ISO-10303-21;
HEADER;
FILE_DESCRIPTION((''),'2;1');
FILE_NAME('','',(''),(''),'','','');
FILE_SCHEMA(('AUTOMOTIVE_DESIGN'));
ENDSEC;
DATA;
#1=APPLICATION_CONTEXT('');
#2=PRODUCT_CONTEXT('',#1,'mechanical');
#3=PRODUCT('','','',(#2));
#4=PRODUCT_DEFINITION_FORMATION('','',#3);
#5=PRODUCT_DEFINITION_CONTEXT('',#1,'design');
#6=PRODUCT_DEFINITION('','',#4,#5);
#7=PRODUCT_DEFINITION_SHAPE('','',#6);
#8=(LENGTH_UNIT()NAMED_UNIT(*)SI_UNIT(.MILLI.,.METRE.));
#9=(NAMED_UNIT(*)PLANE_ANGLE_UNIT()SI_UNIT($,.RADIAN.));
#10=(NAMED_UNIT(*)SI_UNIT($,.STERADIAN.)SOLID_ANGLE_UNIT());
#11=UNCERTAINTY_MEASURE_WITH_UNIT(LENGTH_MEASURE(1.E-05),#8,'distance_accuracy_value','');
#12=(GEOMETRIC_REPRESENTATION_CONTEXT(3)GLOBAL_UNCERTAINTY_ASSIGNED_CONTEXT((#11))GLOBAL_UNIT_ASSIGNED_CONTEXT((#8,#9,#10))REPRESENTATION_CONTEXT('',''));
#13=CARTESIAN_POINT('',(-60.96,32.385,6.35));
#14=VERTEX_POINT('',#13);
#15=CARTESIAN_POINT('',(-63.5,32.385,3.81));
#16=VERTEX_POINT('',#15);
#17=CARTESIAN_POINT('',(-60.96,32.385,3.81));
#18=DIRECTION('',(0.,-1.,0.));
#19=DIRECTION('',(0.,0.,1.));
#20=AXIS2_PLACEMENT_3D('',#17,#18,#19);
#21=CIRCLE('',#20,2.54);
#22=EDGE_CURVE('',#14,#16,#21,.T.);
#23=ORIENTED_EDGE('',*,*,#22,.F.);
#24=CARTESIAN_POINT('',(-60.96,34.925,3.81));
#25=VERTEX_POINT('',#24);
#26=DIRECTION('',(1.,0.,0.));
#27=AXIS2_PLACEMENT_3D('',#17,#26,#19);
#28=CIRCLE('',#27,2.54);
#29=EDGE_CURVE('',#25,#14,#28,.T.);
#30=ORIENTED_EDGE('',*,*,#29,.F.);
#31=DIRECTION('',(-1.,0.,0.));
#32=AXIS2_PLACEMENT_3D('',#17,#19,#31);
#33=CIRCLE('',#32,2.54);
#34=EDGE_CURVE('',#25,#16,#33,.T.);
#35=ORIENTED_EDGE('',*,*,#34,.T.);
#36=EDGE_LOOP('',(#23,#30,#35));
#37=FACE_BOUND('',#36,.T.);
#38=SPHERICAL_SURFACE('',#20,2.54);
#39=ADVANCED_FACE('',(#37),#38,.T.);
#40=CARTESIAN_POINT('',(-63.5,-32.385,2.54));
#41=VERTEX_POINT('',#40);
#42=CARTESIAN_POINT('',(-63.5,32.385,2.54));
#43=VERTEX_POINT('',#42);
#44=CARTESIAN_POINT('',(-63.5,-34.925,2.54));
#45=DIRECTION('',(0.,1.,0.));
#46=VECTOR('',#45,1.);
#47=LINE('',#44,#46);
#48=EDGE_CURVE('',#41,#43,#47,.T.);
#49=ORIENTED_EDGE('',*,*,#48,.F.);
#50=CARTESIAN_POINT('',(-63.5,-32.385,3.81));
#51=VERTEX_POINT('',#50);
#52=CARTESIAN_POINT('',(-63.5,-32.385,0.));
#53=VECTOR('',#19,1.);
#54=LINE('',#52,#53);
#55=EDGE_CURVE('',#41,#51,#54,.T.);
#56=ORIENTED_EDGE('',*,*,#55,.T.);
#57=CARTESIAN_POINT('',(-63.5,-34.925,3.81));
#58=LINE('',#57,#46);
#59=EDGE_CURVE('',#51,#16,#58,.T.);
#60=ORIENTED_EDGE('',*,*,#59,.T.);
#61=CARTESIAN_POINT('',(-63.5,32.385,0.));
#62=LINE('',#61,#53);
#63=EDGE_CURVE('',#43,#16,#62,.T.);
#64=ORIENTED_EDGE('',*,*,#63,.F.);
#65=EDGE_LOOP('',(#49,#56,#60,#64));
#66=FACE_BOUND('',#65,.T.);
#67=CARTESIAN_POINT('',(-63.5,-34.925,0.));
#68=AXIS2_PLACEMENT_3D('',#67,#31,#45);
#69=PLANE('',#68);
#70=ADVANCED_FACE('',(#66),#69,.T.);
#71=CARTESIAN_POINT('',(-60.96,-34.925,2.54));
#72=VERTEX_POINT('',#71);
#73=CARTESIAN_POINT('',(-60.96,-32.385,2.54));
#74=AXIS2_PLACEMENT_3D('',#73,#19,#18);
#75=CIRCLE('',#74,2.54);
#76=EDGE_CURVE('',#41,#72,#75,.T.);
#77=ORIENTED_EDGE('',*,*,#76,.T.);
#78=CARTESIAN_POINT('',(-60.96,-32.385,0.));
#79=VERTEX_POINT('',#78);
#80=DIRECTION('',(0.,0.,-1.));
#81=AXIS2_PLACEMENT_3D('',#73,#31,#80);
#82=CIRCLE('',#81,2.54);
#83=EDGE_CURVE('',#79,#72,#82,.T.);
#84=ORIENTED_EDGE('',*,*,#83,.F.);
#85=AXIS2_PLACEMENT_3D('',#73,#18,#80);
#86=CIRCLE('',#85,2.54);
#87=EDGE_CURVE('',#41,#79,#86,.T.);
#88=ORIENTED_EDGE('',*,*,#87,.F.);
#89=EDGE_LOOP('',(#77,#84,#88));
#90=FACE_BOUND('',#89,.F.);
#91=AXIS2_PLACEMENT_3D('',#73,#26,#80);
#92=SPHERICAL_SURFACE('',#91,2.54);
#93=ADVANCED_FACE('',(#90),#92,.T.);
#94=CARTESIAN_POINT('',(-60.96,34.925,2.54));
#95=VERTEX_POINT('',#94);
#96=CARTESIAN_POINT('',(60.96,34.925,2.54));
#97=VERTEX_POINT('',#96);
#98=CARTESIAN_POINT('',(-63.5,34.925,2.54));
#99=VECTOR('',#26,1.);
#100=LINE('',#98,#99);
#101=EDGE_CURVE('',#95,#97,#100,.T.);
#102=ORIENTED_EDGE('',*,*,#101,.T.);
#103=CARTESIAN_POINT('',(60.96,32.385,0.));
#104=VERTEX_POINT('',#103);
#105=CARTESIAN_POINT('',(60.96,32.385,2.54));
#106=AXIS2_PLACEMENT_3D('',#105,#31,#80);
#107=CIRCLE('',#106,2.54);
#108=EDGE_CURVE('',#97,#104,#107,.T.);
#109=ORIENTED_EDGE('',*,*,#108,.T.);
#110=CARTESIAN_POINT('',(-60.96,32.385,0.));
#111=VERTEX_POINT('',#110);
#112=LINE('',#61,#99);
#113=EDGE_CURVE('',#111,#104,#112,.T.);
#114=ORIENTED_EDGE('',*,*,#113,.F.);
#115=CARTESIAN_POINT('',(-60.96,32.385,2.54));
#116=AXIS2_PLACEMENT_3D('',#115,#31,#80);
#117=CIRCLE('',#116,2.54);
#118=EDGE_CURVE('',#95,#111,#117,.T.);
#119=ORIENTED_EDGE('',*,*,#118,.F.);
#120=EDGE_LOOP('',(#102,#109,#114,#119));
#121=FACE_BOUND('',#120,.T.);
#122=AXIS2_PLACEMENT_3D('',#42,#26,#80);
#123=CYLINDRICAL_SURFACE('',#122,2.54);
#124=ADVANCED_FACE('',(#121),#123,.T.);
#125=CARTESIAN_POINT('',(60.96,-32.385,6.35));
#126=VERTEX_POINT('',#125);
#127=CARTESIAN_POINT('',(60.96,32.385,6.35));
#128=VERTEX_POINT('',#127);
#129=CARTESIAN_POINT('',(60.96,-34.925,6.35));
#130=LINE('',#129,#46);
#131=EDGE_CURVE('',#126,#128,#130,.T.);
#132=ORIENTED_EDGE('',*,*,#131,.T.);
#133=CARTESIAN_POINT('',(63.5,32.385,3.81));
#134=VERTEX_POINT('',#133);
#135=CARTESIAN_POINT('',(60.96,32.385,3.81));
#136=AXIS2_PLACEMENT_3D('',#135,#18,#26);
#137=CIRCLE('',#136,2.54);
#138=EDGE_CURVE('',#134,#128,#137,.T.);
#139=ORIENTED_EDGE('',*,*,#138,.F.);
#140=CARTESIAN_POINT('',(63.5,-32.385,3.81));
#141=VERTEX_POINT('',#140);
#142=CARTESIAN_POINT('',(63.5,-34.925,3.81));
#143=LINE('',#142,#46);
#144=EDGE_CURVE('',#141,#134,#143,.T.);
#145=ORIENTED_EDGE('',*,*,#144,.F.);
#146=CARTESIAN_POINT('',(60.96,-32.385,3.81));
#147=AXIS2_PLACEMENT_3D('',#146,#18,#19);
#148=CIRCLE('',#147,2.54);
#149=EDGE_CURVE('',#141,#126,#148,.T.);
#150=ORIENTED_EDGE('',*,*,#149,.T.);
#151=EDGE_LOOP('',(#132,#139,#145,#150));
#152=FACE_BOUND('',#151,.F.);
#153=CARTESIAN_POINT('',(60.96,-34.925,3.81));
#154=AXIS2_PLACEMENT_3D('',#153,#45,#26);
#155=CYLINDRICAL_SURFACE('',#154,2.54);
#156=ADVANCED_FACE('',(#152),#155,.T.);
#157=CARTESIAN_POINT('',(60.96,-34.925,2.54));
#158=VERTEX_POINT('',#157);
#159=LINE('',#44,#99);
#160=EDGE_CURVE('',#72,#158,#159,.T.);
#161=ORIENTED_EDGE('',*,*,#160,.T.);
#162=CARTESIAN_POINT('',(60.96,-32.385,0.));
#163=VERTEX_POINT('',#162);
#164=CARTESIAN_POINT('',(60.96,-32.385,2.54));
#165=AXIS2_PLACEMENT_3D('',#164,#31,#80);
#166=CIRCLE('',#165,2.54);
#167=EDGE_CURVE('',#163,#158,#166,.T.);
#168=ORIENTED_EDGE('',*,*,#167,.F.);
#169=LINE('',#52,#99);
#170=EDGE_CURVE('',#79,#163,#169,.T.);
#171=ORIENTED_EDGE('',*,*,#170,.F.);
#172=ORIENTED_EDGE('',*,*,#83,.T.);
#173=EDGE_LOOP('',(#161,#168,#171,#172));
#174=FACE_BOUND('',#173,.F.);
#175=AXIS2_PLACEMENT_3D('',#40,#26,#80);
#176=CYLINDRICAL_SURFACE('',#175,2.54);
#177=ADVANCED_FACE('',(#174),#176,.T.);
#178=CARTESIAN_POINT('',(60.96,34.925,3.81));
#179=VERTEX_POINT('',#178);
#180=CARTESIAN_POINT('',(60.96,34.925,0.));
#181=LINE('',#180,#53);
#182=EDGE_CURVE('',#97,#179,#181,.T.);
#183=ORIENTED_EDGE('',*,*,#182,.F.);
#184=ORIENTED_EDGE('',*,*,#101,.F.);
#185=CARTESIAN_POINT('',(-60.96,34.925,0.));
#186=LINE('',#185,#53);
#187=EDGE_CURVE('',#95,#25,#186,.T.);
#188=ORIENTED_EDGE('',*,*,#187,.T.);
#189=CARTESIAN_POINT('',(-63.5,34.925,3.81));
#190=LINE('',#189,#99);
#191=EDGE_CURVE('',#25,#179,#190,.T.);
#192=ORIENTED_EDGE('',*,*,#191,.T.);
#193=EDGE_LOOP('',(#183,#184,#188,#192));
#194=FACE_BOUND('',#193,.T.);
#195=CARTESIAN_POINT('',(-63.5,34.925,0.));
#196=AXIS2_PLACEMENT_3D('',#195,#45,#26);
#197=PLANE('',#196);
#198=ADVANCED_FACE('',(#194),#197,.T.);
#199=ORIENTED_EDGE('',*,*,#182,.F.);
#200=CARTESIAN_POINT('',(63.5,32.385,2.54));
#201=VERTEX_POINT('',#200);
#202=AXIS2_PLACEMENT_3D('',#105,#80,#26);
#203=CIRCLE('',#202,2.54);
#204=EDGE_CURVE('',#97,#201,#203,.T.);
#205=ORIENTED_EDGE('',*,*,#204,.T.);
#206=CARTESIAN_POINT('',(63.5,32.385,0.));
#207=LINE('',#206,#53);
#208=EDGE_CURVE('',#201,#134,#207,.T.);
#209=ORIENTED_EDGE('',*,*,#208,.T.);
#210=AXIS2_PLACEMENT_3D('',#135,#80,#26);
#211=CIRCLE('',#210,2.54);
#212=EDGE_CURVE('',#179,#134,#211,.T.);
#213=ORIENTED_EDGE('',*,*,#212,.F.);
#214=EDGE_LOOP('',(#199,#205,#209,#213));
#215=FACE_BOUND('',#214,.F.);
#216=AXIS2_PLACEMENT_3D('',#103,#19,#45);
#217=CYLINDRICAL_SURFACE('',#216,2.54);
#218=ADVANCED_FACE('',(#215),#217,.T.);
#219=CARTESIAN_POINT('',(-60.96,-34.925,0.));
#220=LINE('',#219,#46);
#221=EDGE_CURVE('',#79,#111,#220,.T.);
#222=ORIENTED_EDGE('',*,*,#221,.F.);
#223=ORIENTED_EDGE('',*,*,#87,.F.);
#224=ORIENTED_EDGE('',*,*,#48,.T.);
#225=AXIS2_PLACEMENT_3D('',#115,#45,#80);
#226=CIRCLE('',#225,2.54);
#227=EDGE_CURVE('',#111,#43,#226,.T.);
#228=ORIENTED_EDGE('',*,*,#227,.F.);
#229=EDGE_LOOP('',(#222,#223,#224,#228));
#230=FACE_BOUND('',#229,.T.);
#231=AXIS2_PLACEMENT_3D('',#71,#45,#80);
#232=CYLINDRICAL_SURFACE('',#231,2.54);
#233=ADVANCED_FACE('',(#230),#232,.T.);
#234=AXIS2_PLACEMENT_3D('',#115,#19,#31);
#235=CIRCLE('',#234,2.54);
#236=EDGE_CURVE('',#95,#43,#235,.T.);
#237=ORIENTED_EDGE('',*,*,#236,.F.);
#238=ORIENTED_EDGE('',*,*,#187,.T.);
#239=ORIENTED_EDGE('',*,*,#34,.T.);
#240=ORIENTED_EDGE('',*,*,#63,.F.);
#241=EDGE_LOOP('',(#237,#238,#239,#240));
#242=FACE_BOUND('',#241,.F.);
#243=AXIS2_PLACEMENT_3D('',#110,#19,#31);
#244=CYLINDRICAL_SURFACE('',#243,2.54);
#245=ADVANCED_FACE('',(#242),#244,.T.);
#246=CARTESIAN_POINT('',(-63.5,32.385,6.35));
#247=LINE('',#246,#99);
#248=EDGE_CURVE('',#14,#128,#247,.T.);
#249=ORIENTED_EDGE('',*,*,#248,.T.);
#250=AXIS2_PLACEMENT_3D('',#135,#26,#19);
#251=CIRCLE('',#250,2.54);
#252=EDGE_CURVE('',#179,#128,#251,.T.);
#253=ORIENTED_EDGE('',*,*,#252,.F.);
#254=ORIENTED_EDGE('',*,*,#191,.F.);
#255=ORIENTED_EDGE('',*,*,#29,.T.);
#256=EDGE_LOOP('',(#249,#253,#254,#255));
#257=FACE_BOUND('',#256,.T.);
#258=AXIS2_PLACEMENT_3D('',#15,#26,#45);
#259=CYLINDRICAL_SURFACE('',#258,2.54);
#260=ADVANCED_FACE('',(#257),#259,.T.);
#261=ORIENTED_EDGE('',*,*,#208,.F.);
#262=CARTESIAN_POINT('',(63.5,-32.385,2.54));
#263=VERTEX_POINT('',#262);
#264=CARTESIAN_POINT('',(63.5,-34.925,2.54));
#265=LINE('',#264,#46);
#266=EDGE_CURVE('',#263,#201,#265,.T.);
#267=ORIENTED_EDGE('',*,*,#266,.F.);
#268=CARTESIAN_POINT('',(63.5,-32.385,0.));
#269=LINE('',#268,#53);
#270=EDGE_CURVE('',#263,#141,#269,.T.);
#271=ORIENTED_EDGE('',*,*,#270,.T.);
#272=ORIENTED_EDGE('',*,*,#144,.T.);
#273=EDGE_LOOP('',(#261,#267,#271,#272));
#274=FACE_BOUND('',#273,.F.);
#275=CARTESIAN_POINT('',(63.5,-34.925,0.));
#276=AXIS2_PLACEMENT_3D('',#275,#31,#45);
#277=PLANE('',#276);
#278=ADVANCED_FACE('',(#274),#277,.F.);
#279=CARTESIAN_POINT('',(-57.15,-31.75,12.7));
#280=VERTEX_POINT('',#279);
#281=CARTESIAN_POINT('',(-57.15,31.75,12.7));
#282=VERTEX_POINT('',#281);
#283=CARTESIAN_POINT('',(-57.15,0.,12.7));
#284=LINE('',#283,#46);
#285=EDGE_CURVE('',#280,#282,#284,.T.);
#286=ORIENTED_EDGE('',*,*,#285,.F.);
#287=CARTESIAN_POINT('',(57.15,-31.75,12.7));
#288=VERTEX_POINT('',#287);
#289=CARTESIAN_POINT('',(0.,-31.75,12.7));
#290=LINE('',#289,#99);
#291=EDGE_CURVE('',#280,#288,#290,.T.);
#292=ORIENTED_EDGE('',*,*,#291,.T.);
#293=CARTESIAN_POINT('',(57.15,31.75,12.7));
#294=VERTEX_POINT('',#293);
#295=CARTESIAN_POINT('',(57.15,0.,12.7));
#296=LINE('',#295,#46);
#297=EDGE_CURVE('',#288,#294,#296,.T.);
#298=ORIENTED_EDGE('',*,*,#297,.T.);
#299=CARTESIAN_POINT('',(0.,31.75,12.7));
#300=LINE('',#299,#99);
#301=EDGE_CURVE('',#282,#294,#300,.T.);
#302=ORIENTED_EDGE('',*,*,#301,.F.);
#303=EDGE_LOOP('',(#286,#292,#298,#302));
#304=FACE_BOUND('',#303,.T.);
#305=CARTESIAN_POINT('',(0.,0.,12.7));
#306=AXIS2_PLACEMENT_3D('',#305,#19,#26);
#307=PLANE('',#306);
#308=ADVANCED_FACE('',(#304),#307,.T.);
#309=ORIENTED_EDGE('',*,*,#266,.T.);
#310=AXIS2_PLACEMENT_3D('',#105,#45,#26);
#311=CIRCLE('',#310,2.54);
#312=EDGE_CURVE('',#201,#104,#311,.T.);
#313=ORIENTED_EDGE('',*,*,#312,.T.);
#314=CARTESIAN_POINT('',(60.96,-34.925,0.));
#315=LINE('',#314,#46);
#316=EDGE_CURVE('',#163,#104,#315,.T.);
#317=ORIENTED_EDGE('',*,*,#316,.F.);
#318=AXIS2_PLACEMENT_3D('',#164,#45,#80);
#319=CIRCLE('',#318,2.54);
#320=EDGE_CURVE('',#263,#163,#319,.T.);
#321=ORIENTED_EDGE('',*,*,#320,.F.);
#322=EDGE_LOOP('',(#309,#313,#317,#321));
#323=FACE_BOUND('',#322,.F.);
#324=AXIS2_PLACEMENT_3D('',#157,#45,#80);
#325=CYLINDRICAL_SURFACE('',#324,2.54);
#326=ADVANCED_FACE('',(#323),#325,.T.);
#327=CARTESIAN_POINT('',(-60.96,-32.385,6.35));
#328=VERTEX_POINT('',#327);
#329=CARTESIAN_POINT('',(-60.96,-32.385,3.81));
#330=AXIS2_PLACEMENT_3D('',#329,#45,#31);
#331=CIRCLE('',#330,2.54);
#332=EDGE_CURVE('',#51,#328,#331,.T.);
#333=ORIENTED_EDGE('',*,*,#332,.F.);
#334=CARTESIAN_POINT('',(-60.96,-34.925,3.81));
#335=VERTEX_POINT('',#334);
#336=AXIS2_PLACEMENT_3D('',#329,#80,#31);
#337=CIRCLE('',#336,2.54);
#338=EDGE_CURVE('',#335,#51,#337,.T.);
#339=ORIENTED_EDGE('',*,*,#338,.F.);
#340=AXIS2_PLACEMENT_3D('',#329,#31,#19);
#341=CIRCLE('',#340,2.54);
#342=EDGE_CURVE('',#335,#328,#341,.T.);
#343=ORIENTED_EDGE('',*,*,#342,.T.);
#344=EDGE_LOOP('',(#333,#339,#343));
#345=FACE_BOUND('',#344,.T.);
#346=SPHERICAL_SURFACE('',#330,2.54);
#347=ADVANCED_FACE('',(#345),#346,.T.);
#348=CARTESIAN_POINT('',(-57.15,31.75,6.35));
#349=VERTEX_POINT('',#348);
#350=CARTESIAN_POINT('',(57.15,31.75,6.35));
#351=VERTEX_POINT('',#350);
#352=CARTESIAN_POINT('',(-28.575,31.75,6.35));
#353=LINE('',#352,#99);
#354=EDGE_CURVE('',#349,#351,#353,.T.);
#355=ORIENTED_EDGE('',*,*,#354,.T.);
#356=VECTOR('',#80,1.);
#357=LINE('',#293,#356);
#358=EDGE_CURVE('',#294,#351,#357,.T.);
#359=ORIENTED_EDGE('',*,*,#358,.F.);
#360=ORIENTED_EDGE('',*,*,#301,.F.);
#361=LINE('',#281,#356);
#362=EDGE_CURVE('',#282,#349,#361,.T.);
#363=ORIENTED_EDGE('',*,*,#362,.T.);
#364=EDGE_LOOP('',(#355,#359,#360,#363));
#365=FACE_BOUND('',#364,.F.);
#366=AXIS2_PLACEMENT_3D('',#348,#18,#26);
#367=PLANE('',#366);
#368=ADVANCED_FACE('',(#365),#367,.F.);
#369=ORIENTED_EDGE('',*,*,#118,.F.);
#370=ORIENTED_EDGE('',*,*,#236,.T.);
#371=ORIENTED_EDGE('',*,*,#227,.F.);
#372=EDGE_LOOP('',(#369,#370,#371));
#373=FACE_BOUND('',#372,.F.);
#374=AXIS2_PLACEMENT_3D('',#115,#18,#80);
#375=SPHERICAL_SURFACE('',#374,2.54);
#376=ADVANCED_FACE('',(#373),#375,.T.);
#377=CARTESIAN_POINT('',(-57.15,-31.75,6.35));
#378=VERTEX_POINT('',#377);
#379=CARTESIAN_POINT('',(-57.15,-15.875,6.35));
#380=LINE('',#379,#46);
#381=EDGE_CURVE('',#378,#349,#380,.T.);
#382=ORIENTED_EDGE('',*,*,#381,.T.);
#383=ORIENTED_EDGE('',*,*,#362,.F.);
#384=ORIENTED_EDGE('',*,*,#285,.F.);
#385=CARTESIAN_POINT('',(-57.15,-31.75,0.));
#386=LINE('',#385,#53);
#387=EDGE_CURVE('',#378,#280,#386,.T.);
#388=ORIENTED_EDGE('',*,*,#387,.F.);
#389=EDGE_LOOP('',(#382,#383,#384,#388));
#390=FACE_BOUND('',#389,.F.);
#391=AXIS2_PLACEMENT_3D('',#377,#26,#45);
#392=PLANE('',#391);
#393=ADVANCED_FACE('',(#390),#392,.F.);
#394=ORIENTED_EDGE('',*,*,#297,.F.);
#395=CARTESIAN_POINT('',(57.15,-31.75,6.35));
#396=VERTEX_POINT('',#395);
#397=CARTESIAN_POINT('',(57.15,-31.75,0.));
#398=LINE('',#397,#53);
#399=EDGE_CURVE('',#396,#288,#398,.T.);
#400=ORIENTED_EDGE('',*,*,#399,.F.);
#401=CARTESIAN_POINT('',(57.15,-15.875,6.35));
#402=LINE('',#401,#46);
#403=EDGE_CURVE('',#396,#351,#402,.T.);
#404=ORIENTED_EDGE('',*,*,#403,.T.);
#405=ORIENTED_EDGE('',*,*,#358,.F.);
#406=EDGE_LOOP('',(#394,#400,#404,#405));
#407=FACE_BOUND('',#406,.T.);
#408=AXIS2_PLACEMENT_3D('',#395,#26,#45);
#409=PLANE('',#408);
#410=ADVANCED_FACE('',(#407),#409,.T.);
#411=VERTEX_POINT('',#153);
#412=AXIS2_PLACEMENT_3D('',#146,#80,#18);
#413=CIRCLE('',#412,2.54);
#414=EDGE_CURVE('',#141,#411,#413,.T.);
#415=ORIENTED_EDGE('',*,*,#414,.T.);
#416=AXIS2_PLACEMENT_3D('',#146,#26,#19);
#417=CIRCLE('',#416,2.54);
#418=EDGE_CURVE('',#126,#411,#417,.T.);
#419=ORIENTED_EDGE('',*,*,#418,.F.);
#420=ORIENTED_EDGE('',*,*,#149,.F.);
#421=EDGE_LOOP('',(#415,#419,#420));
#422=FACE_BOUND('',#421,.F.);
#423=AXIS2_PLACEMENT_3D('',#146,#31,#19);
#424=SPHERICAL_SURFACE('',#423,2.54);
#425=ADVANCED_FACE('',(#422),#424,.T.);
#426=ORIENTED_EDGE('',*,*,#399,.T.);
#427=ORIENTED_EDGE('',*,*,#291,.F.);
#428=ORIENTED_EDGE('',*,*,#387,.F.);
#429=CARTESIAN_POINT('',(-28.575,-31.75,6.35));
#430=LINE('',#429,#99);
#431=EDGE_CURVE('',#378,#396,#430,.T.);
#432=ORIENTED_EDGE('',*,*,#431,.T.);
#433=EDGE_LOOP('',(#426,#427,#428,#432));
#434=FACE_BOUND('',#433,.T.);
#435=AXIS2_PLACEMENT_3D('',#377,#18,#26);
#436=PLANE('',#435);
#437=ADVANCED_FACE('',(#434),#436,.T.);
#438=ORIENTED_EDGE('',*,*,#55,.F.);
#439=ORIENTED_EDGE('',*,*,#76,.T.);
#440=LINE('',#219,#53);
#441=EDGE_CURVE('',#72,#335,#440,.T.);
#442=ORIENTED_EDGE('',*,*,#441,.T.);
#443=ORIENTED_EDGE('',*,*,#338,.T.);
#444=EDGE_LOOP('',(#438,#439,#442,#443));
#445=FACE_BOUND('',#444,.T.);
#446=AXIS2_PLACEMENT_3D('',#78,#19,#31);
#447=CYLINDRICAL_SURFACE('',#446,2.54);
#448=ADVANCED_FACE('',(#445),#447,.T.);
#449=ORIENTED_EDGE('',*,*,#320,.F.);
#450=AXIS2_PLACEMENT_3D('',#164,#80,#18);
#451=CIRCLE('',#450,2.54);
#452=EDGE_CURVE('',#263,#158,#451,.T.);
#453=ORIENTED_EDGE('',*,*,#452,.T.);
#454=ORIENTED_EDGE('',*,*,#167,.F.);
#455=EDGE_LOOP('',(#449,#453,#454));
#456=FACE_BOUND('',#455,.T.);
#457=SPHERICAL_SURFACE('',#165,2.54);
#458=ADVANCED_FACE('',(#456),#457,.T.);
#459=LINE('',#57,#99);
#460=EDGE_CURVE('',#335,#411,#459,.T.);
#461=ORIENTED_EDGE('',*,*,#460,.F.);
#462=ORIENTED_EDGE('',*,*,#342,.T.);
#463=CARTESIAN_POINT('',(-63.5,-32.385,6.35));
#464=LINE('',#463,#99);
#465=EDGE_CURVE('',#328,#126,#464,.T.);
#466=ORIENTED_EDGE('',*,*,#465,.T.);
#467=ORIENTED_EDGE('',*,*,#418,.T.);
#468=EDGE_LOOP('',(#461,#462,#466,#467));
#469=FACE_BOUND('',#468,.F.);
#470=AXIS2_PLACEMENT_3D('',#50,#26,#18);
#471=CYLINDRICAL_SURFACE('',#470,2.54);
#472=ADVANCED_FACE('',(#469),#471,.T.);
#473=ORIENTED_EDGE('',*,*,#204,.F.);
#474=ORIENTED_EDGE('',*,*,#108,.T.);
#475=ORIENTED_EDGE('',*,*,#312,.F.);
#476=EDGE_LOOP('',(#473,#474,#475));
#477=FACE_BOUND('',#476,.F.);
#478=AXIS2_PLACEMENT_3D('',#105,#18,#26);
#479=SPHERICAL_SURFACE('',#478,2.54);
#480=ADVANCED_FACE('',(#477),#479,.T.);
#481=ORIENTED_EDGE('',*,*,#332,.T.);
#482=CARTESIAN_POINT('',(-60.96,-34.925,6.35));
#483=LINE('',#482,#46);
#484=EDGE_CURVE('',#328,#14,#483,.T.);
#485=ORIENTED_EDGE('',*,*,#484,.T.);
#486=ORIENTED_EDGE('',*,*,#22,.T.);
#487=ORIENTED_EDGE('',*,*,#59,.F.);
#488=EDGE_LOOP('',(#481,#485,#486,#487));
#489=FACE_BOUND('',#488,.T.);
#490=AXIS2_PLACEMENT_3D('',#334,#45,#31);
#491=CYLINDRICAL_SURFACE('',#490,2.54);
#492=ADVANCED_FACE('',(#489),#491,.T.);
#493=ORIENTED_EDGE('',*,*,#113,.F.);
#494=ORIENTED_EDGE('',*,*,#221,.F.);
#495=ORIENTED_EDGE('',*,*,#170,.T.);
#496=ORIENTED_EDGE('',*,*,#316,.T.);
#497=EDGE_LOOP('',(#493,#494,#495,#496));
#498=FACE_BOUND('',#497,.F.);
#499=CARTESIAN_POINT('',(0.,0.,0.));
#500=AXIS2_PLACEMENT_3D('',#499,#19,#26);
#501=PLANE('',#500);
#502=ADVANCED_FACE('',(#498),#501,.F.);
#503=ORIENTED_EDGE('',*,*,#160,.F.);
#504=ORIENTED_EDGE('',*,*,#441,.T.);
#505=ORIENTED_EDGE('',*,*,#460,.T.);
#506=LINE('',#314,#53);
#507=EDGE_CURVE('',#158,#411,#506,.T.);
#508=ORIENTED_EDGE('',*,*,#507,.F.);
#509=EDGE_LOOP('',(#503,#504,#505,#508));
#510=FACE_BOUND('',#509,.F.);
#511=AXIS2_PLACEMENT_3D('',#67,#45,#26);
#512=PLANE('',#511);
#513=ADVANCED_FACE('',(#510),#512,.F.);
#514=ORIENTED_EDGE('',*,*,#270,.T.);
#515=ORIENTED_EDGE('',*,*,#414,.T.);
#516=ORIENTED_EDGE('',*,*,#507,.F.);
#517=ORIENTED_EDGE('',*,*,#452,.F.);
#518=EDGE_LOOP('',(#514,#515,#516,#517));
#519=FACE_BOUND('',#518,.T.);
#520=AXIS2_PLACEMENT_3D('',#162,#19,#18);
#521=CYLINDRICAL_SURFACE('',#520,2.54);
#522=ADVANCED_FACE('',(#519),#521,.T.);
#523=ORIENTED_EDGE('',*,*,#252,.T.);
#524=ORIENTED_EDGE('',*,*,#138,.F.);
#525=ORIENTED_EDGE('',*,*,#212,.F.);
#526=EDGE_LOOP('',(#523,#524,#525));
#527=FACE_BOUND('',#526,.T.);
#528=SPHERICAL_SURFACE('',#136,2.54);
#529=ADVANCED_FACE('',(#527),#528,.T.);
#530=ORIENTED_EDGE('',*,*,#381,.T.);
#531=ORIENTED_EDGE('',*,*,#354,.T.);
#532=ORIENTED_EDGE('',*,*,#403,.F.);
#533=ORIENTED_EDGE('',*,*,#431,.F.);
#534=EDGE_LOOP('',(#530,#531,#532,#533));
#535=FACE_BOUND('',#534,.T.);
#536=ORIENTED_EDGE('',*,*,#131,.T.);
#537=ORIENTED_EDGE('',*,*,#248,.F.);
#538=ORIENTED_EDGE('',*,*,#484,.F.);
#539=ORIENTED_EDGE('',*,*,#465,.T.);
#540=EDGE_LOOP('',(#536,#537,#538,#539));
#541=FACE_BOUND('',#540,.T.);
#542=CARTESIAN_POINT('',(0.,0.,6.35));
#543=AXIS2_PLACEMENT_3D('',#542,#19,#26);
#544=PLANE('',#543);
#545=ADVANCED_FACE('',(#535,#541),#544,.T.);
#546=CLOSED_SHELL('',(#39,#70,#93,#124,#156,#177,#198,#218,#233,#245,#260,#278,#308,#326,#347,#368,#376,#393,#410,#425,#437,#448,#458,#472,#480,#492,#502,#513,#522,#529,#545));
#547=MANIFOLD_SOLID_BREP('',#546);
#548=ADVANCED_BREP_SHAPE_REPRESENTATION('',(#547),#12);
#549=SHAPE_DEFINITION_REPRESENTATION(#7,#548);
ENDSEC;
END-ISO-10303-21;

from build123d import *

# Parameters (mm, degrees)
F0_W     = 127
F0_H     = 69.85
F1_DEPTH = 6.35
F2_W     = 114.3
F2_H     = 63.5
F3_DEPTH = 6.35
F4_R     = 2.54


with BuildPart() as f1:
    # F0 (on Top) → F1 (new body)
    with BuildSketch(Plane.XY):
        Rectangle(F0_W, F0_H)
    extrude(amount=F1_DEPTH)

    # F2 (on face) → F3 (join, symmetric)
    with BuildSketch(Plane.XY.offset(6.35)):
        Rectangle(F2_W, F2_H)
    extrude(amount=F3_DEPTH, both=True)

    # F4
    f4_edges = [f1.edges().sort_by_distance(p)[0] for p in [
        (0, -34.925, 0),
        (-63.5, 0, 0),
        (-63.5, 0, 6.35),
        (-63.5, -34.925, 3.175),
        (0, -34.925, 6.35),
        (63.5, 0, 0),
        (63.5, 0, 6.35),
        (63.5, 34.925, 3.175),
        (0, 34.925, 6.35),
        (63.5, -34.925, 3.175),
        (0, 34.925, 0),
        (-63.5, 34.925, 3.175),
    ]]
    fillet(f4_edges, radius=F4_R)


solid = f1.part
